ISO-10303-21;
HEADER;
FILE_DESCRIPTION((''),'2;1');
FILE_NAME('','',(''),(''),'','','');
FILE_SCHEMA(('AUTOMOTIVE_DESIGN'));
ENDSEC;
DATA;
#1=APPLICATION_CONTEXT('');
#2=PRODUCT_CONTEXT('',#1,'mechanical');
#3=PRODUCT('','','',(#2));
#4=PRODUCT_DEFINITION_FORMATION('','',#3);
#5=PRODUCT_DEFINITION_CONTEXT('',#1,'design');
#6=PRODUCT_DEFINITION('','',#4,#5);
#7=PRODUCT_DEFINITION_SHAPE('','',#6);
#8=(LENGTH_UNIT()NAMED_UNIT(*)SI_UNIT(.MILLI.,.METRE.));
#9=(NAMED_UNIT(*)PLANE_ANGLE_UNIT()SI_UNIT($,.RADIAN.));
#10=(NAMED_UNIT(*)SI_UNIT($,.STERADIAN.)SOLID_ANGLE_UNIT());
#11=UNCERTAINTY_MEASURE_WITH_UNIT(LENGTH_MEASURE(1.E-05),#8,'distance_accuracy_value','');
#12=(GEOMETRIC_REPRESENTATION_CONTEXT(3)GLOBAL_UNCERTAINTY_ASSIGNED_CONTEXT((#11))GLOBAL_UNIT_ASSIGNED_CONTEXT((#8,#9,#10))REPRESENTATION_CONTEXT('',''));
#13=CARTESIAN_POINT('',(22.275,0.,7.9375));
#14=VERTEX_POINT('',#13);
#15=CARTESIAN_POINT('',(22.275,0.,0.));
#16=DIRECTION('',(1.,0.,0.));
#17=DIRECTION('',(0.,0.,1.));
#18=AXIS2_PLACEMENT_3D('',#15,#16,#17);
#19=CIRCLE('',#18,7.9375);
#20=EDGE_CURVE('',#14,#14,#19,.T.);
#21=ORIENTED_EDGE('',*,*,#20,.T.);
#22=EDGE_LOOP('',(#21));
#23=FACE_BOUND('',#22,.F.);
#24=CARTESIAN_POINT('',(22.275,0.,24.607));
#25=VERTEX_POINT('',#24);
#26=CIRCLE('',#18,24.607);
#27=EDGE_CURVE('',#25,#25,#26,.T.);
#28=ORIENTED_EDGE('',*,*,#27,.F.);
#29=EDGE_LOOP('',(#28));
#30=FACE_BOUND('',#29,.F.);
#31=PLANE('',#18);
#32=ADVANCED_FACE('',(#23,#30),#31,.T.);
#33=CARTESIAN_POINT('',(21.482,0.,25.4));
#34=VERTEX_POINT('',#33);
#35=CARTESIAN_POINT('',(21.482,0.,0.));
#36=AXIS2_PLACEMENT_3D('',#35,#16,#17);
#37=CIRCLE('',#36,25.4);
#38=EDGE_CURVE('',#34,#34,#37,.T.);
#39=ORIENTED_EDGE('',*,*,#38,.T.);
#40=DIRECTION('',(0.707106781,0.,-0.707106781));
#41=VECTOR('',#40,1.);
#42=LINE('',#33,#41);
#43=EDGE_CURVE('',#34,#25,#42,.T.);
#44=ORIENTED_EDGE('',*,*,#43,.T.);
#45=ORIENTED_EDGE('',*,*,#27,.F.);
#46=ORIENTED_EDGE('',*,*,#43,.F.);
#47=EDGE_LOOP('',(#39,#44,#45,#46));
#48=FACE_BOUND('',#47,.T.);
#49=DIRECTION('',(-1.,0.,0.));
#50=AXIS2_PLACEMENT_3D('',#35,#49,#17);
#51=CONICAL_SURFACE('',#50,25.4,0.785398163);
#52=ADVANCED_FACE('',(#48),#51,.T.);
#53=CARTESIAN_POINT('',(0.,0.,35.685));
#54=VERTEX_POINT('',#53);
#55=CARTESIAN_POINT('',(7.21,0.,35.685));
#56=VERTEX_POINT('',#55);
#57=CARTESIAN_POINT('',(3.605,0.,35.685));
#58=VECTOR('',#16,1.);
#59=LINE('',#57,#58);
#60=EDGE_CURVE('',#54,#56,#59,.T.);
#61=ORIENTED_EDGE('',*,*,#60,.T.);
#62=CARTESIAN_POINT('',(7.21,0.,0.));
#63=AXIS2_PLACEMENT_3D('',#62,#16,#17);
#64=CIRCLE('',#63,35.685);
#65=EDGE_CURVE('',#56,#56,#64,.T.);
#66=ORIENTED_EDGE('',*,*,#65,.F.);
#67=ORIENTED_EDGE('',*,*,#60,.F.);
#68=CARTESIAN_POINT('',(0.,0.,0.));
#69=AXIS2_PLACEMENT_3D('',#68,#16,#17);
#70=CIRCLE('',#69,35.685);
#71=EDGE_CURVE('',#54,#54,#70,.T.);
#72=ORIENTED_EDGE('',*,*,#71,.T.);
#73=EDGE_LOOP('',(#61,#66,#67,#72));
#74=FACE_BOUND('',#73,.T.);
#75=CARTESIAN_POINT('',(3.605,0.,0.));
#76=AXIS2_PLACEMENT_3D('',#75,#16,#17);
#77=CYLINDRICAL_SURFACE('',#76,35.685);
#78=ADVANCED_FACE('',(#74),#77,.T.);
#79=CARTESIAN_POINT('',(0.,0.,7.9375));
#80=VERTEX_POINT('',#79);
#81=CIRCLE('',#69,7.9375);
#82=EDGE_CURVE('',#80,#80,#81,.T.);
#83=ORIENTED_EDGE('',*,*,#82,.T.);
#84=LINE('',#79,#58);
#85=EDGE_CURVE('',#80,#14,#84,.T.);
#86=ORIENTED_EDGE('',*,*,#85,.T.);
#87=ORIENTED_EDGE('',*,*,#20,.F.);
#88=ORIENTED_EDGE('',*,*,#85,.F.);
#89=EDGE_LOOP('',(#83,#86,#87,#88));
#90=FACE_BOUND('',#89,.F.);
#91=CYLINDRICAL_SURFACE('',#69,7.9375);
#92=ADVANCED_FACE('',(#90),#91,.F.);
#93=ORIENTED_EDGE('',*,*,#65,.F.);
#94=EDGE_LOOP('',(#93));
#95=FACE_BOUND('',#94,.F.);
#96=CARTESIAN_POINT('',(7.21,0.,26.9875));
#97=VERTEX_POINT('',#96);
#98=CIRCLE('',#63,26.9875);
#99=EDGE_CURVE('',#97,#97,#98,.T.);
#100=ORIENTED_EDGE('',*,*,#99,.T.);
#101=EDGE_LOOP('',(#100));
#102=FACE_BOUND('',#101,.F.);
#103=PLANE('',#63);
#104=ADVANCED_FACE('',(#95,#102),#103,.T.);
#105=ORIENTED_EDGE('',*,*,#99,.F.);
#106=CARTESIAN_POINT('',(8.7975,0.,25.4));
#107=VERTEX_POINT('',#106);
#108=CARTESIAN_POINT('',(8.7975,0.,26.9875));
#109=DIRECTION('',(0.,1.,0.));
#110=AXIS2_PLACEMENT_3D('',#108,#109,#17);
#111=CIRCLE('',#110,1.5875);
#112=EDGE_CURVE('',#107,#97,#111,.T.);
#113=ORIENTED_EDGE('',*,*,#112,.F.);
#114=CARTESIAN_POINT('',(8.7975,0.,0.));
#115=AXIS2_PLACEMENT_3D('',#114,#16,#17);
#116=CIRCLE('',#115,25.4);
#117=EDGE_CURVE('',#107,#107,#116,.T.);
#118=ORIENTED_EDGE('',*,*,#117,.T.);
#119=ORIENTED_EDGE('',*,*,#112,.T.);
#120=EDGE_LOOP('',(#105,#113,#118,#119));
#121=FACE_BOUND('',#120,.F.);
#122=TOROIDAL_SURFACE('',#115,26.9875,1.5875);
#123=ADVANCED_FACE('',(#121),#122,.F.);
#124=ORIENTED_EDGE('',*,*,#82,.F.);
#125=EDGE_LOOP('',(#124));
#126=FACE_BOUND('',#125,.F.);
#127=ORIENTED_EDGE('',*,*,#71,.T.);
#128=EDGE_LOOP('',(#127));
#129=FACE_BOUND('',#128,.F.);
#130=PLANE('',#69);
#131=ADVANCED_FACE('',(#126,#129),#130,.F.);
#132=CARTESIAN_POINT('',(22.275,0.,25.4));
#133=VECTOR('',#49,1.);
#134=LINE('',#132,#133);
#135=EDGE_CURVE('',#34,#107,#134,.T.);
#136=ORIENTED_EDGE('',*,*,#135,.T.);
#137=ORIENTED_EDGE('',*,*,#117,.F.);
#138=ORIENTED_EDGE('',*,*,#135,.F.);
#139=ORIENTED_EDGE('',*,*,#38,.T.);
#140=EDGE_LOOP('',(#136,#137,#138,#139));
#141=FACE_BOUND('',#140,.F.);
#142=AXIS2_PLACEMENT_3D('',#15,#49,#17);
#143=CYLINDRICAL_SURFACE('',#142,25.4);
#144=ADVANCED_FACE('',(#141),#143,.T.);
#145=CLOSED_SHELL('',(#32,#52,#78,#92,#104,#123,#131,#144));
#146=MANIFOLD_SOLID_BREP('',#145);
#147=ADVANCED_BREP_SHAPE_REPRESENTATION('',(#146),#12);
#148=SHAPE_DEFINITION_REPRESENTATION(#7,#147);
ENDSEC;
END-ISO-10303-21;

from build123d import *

# Parameters (mm, degrees)
F0_W    = 15.065
F0_H    = 17.4625
F0_W_2  = 7.21
F0_H_2  = 10.285
F2_R    = 1.5875
F3_SIZE = 0.793


with BuildPart() as f1:
    # F0 (on Front) → F1 (revolve)
    with BuildSketch(Plane.XZ):
        with Locations((14.7425, 16.66875)):
            Rectangle(F0_W, F0_H)
        with Locations((3.605, 16.66875)):
            Rectangle(F0_W_2, F0_H)
        with Locations((3.605, 30.5425)):
            Rectangle(F0_W_2, F0_H_2)
    revolve(axis=Axis((11.1375, 0, 0), (1, 0, 0)))

    # F2
    f2_edges = [f1.edges().sort_by_distance(p)[0] for p in [
        (7.21, 0, -25.4),
    ]]
    fillet(f2_edges, radius=F2_R)

    # F3
    f3_edges = [f1.edges().sort_by_distance(p)[0] for p in [
        (22.275, 0, -25.4),
    ]]
    chamfer(f3_edges, length=F3_SIZE)


solid = f1.part
